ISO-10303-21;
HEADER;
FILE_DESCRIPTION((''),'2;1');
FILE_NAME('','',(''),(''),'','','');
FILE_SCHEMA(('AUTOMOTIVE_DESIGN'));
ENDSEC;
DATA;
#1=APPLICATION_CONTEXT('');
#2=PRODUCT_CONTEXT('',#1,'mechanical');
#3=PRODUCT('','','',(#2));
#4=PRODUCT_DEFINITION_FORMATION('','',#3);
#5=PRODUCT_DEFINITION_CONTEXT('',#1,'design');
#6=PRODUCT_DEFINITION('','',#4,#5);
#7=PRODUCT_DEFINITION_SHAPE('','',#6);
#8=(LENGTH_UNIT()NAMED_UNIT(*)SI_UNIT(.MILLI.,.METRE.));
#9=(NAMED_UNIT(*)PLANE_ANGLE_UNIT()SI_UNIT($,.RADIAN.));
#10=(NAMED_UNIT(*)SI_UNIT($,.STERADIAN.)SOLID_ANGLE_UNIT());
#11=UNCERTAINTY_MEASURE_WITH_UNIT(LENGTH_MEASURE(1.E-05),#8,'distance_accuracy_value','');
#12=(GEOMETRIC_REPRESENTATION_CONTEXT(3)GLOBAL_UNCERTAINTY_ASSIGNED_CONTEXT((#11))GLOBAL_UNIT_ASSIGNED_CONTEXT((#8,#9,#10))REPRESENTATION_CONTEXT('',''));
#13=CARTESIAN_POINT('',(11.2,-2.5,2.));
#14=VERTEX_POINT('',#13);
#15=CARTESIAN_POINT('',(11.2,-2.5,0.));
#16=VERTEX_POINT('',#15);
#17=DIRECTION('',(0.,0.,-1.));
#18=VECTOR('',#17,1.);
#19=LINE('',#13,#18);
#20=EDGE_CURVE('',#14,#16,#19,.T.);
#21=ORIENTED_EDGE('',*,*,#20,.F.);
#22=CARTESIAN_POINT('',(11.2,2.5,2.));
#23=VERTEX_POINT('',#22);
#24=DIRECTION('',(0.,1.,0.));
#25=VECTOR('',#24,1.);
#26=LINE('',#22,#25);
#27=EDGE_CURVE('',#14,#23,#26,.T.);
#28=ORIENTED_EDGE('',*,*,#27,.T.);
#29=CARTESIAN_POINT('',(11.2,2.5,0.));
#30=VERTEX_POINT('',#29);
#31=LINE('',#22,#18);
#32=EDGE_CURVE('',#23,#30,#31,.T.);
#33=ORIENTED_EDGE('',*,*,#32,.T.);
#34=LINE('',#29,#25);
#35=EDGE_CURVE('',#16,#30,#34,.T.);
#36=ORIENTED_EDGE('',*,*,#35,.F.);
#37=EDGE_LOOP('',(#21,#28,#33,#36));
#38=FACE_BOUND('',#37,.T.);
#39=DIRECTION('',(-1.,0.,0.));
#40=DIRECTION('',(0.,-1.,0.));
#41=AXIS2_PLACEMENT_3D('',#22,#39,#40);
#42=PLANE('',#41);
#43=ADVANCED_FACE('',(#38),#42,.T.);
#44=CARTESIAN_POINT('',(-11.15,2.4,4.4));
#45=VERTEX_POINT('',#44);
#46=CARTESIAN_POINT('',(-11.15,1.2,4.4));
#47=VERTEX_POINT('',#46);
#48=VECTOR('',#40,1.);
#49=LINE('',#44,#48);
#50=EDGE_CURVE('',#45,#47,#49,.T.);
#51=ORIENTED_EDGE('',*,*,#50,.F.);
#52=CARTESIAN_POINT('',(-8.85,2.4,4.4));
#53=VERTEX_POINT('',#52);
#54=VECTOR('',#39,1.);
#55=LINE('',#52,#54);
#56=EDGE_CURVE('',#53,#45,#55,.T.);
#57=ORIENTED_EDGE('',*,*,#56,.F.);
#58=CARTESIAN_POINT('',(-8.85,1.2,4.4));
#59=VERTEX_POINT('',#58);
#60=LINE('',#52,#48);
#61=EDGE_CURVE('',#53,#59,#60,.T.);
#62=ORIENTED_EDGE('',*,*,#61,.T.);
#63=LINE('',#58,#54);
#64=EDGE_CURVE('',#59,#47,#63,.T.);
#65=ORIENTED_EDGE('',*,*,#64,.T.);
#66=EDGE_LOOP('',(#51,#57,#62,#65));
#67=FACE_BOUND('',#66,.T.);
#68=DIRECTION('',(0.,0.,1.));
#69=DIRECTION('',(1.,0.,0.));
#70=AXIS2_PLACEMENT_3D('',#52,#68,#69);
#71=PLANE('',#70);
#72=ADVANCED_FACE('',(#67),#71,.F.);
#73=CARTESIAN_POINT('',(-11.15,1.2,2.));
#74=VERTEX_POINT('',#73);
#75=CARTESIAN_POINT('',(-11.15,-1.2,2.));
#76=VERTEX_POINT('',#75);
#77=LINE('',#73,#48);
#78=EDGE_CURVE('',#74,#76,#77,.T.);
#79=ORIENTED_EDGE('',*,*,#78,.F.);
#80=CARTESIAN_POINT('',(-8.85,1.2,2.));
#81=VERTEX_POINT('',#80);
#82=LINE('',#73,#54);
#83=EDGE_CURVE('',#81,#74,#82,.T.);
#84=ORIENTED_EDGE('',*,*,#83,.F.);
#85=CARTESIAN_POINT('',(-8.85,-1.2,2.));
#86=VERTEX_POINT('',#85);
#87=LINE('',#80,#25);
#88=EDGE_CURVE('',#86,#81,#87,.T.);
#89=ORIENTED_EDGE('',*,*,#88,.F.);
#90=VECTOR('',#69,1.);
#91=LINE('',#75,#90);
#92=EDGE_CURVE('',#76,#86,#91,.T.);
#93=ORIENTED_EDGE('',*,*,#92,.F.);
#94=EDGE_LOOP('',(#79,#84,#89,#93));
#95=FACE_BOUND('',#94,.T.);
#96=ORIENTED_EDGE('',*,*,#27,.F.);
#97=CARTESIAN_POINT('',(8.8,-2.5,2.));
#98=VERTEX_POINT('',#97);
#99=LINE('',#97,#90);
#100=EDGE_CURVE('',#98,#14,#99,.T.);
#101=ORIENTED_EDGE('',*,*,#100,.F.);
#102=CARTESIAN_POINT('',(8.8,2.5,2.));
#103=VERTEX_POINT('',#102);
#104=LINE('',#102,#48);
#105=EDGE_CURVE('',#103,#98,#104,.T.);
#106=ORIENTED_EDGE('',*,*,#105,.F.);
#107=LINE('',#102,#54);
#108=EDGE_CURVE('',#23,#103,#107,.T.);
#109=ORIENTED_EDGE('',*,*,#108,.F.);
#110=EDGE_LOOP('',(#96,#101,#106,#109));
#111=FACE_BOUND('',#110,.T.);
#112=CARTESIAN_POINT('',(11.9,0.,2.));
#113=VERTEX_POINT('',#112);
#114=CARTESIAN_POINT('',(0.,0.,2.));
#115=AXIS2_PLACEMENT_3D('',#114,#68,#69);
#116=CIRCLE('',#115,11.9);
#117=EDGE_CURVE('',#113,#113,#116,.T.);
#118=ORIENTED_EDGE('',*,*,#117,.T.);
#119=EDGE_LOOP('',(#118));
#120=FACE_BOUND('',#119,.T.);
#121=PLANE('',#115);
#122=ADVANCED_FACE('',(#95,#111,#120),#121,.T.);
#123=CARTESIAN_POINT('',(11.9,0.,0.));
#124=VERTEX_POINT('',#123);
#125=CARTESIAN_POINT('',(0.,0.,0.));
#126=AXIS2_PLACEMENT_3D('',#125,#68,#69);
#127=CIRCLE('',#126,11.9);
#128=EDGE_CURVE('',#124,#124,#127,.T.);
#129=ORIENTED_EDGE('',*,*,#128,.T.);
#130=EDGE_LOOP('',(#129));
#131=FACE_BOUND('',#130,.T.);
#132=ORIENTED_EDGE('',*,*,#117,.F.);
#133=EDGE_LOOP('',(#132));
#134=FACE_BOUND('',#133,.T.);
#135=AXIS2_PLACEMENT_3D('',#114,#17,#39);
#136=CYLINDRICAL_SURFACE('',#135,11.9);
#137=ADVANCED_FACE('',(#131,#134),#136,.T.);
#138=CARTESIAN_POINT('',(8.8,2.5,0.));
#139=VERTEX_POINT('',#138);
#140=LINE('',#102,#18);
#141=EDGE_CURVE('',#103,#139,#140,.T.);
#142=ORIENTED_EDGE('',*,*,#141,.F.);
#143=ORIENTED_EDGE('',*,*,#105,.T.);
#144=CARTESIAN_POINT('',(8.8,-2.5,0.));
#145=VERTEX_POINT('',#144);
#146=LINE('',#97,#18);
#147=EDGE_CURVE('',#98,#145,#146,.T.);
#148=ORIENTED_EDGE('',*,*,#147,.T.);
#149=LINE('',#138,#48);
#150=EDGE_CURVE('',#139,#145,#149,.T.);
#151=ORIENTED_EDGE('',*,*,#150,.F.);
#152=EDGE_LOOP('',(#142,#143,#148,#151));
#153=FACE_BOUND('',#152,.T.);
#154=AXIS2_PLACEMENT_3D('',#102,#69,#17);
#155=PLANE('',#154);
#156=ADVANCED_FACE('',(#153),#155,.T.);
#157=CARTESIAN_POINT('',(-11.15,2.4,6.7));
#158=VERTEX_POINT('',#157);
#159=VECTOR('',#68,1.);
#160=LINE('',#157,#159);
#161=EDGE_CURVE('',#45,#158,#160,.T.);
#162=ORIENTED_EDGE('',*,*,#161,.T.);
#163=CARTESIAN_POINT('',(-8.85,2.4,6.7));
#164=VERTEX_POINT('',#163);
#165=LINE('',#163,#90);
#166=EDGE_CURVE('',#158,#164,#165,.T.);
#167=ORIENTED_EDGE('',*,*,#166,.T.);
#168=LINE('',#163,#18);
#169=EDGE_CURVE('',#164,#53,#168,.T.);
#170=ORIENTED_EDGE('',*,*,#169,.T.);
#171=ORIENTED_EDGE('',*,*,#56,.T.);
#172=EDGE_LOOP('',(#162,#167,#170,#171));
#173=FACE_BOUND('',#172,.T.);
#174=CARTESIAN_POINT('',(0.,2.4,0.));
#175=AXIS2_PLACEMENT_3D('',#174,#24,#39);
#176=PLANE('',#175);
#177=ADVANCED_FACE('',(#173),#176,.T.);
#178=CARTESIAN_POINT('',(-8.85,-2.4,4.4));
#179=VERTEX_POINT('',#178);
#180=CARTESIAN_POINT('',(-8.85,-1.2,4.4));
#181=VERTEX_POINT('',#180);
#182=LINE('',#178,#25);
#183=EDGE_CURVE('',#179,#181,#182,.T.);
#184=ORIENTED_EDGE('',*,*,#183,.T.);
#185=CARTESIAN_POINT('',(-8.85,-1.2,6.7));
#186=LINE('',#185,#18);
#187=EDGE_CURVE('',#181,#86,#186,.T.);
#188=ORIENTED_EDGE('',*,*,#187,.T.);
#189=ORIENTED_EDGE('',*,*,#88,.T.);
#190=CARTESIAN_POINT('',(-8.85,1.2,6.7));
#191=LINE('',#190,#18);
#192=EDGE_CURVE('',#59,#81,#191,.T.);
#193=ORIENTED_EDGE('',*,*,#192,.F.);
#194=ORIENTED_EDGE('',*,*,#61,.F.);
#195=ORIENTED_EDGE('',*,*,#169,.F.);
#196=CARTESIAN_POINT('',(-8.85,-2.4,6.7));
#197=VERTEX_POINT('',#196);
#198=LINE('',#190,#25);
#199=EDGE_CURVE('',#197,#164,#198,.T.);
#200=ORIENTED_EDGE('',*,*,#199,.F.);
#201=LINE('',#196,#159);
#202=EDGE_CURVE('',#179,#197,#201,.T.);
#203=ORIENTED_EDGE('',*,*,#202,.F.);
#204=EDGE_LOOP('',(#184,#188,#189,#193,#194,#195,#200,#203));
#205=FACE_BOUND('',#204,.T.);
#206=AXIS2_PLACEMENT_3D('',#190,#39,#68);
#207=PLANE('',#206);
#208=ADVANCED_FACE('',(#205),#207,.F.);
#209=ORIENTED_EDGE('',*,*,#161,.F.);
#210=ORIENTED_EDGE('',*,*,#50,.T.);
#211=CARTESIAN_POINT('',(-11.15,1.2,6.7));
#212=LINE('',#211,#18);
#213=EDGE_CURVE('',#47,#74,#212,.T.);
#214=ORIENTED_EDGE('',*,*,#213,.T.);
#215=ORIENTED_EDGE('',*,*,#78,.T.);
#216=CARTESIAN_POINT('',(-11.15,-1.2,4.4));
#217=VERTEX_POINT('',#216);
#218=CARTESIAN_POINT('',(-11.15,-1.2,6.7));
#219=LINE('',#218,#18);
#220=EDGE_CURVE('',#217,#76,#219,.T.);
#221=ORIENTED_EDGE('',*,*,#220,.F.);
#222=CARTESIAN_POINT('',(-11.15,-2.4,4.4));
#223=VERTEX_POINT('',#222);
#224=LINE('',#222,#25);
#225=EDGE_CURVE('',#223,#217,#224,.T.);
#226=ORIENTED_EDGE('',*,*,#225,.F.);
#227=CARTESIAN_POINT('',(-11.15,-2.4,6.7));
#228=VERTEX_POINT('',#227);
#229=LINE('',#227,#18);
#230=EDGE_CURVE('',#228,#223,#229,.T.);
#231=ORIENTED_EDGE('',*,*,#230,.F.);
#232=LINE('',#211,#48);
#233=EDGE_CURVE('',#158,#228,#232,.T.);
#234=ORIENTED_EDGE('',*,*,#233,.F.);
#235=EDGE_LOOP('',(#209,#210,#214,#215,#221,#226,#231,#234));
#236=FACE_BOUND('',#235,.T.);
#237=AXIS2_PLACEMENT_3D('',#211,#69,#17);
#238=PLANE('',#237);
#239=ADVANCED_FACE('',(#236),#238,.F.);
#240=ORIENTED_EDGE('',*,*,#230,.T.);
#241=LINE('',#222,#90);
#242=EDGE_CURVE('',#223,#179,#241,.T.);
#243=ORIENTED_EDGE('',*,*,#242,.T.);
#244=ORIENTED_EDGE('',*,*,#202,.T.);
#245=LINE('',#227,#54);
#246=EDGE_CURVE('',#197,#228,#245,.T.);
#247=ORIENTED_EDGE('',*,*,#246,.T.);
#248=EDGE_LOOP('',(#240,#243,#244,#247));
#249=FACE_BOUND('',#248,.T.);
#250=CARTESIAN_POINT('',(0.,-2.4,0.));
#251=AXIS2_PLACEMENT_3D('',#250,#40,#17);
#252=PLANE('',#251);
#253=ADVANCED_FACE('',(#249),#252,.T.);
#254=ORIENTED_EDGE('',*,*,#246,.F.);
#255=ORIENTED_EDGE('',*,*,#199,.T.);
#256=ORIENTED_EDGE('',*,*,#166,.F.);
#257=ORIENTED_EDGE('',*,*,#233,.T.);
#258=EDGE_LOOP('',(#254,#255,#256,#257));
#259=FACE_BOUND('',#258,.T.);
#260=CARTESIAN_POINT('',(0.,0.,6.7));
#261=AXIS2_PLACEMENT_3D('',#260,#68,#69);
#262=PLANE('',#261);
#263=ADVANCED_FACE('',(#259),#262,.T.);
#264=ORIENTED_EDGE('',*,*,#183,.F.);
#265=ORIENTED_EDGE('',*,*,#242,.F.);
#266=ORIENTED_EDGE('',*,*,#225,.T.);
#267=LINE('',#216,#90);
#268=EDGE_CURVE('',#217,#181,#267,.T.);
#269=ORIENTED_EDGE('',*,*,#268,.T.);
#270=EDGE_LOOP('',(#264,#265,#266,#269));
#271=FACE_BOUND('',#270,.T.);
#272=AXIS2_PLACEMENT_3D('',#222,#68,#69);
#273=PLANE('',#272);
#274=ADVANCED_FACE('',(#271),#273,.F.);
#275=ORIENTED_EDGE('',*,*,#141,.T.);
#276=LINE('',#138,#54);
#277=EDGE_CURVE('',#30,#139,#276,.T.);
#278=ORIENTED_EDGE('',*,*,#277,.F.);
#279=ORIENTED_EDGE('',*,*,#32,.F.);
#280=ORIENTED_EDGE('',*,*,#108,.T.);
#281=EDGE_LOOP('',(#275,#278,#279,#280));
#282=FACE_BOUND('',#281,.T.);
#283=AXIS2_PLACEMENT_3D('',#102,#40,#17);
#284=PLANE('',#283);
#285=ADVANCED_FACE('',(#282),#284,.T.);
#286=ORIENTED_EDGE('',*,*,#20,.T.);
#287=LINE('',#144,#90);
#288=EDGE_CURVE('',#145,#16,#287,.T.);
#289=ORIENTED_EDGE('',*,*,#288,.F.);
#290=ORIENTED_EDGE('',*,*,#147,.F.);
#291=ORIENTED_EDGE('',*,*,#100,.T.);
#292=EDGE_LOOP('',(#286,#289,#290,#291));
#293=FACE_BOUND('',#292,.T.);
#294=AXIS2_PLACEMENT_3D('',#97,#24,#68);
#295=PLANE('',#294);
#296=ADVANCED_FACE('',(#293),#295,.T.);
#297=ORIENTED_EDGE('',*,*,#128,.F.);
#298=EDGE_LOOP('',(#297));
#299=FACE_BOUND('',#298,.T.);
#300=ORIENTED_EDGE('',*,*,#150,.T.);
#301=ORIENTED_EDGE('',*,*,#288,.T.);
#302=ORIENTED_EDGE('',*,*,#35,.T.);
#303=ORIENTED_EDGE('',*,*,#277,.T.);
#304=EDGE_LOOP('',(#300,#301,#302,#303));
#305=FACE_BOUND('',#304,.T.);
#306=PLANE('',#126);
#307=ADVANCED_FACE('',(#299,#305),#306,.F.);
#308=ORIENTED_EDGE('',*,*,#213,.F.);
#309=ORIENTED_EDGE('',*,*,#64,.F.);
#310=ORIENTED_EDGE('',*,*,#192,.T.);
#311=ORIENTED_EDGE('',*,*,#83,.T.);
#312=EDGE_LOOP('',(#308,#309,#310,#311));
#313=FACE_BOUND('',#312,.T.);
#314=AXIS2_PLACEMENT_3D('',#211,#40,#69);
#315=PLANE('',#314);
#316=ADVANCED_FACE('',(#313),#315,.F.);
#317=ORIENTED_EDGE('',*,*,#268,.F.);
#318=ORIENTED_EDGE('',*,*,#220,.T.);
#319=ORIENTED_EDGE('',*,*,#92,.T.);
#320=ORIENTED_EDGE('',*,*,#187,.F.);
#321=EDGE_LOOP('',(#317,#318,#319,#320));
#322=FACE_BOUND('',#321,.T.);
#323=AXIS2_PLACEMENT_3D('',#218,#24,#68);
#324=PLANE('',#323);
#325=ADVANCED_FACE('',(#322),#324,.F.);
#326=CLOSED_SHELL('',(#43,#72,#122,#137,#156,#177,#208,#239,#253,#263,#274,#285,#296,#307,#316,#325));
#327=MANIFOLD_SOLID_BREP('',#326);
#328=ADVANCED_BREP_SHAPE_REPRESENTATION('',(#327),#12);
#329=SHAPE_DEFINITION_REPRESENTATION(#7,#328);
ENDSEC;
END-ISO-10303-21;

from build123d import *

# Parameters (mm, degrees)
SKETCH1_R           = 11.9
SKETCH1_W           = 2.4
SKETCH1_H           = 5
BOSS_EXTRUDE2_DEPTH = 2
SKETCH2_W           = 2.3
SKETCH2_H           = 2.4
BOSS_EXTRUDE3_DEPTH = 4.7
SKETCH4_W           = 2.3
SKETCH4_H           = 2.3
BOSS_EXTRUDE5_DEPTH = 1.2
SKETCH5_W           = 2.3
SKETCH5_H           = 2.3
BOSS_EXTRUDE6_DEPTH = 1.2


with BuildPart() as part:
    # Sketch1 → Boss-Extrude2 (new body)
    with BuildSketch(Plane.XY):
        Circle(SKETCH1_R)
        with Locations((10, 0)):
            Rectangle(SKETCH1_W, SKETCH1_H, mode=Mode.SUBTRACT)
    extrude(amount=BOSS_EXTRUDE2_DEPTH)

    # Sketch2 → Boss-Extrude3 (add)
    with BuildSketch(Plane.XY.offset(2)):
        with Locations((-10, 0)):
            Rectangle(SKETCH2_W, SKETCH2_H)
    extrude(amount=BOSS_EXTRUDE3_DEPTH)

    # Sketch4 → Boss-Extrude5 (add)
    with BuildSketch(Plane(origin=(0, 1.2, 0), x_dir=(1, 0, 0), z_dir=(0, 1, 0))):
        with Locations((-10, -5.55)):
            Rectangle(SKETCH4_W, SKETCH4_H)
    extrude(amount=BOSS_EXTRUDE5_DEPTH)

    # Sketch5 → Boss-Extrude6 (add)
    with BuildSketch(Plane.XZ.offset(1.2)):
        with Locations((-10, 5.55)):
            Rectangle(SKETCH5_W, SKETCH5_H)
    extrude(amount=BOSS_EXTRUDE6_DEPTH)


solid = part.part
